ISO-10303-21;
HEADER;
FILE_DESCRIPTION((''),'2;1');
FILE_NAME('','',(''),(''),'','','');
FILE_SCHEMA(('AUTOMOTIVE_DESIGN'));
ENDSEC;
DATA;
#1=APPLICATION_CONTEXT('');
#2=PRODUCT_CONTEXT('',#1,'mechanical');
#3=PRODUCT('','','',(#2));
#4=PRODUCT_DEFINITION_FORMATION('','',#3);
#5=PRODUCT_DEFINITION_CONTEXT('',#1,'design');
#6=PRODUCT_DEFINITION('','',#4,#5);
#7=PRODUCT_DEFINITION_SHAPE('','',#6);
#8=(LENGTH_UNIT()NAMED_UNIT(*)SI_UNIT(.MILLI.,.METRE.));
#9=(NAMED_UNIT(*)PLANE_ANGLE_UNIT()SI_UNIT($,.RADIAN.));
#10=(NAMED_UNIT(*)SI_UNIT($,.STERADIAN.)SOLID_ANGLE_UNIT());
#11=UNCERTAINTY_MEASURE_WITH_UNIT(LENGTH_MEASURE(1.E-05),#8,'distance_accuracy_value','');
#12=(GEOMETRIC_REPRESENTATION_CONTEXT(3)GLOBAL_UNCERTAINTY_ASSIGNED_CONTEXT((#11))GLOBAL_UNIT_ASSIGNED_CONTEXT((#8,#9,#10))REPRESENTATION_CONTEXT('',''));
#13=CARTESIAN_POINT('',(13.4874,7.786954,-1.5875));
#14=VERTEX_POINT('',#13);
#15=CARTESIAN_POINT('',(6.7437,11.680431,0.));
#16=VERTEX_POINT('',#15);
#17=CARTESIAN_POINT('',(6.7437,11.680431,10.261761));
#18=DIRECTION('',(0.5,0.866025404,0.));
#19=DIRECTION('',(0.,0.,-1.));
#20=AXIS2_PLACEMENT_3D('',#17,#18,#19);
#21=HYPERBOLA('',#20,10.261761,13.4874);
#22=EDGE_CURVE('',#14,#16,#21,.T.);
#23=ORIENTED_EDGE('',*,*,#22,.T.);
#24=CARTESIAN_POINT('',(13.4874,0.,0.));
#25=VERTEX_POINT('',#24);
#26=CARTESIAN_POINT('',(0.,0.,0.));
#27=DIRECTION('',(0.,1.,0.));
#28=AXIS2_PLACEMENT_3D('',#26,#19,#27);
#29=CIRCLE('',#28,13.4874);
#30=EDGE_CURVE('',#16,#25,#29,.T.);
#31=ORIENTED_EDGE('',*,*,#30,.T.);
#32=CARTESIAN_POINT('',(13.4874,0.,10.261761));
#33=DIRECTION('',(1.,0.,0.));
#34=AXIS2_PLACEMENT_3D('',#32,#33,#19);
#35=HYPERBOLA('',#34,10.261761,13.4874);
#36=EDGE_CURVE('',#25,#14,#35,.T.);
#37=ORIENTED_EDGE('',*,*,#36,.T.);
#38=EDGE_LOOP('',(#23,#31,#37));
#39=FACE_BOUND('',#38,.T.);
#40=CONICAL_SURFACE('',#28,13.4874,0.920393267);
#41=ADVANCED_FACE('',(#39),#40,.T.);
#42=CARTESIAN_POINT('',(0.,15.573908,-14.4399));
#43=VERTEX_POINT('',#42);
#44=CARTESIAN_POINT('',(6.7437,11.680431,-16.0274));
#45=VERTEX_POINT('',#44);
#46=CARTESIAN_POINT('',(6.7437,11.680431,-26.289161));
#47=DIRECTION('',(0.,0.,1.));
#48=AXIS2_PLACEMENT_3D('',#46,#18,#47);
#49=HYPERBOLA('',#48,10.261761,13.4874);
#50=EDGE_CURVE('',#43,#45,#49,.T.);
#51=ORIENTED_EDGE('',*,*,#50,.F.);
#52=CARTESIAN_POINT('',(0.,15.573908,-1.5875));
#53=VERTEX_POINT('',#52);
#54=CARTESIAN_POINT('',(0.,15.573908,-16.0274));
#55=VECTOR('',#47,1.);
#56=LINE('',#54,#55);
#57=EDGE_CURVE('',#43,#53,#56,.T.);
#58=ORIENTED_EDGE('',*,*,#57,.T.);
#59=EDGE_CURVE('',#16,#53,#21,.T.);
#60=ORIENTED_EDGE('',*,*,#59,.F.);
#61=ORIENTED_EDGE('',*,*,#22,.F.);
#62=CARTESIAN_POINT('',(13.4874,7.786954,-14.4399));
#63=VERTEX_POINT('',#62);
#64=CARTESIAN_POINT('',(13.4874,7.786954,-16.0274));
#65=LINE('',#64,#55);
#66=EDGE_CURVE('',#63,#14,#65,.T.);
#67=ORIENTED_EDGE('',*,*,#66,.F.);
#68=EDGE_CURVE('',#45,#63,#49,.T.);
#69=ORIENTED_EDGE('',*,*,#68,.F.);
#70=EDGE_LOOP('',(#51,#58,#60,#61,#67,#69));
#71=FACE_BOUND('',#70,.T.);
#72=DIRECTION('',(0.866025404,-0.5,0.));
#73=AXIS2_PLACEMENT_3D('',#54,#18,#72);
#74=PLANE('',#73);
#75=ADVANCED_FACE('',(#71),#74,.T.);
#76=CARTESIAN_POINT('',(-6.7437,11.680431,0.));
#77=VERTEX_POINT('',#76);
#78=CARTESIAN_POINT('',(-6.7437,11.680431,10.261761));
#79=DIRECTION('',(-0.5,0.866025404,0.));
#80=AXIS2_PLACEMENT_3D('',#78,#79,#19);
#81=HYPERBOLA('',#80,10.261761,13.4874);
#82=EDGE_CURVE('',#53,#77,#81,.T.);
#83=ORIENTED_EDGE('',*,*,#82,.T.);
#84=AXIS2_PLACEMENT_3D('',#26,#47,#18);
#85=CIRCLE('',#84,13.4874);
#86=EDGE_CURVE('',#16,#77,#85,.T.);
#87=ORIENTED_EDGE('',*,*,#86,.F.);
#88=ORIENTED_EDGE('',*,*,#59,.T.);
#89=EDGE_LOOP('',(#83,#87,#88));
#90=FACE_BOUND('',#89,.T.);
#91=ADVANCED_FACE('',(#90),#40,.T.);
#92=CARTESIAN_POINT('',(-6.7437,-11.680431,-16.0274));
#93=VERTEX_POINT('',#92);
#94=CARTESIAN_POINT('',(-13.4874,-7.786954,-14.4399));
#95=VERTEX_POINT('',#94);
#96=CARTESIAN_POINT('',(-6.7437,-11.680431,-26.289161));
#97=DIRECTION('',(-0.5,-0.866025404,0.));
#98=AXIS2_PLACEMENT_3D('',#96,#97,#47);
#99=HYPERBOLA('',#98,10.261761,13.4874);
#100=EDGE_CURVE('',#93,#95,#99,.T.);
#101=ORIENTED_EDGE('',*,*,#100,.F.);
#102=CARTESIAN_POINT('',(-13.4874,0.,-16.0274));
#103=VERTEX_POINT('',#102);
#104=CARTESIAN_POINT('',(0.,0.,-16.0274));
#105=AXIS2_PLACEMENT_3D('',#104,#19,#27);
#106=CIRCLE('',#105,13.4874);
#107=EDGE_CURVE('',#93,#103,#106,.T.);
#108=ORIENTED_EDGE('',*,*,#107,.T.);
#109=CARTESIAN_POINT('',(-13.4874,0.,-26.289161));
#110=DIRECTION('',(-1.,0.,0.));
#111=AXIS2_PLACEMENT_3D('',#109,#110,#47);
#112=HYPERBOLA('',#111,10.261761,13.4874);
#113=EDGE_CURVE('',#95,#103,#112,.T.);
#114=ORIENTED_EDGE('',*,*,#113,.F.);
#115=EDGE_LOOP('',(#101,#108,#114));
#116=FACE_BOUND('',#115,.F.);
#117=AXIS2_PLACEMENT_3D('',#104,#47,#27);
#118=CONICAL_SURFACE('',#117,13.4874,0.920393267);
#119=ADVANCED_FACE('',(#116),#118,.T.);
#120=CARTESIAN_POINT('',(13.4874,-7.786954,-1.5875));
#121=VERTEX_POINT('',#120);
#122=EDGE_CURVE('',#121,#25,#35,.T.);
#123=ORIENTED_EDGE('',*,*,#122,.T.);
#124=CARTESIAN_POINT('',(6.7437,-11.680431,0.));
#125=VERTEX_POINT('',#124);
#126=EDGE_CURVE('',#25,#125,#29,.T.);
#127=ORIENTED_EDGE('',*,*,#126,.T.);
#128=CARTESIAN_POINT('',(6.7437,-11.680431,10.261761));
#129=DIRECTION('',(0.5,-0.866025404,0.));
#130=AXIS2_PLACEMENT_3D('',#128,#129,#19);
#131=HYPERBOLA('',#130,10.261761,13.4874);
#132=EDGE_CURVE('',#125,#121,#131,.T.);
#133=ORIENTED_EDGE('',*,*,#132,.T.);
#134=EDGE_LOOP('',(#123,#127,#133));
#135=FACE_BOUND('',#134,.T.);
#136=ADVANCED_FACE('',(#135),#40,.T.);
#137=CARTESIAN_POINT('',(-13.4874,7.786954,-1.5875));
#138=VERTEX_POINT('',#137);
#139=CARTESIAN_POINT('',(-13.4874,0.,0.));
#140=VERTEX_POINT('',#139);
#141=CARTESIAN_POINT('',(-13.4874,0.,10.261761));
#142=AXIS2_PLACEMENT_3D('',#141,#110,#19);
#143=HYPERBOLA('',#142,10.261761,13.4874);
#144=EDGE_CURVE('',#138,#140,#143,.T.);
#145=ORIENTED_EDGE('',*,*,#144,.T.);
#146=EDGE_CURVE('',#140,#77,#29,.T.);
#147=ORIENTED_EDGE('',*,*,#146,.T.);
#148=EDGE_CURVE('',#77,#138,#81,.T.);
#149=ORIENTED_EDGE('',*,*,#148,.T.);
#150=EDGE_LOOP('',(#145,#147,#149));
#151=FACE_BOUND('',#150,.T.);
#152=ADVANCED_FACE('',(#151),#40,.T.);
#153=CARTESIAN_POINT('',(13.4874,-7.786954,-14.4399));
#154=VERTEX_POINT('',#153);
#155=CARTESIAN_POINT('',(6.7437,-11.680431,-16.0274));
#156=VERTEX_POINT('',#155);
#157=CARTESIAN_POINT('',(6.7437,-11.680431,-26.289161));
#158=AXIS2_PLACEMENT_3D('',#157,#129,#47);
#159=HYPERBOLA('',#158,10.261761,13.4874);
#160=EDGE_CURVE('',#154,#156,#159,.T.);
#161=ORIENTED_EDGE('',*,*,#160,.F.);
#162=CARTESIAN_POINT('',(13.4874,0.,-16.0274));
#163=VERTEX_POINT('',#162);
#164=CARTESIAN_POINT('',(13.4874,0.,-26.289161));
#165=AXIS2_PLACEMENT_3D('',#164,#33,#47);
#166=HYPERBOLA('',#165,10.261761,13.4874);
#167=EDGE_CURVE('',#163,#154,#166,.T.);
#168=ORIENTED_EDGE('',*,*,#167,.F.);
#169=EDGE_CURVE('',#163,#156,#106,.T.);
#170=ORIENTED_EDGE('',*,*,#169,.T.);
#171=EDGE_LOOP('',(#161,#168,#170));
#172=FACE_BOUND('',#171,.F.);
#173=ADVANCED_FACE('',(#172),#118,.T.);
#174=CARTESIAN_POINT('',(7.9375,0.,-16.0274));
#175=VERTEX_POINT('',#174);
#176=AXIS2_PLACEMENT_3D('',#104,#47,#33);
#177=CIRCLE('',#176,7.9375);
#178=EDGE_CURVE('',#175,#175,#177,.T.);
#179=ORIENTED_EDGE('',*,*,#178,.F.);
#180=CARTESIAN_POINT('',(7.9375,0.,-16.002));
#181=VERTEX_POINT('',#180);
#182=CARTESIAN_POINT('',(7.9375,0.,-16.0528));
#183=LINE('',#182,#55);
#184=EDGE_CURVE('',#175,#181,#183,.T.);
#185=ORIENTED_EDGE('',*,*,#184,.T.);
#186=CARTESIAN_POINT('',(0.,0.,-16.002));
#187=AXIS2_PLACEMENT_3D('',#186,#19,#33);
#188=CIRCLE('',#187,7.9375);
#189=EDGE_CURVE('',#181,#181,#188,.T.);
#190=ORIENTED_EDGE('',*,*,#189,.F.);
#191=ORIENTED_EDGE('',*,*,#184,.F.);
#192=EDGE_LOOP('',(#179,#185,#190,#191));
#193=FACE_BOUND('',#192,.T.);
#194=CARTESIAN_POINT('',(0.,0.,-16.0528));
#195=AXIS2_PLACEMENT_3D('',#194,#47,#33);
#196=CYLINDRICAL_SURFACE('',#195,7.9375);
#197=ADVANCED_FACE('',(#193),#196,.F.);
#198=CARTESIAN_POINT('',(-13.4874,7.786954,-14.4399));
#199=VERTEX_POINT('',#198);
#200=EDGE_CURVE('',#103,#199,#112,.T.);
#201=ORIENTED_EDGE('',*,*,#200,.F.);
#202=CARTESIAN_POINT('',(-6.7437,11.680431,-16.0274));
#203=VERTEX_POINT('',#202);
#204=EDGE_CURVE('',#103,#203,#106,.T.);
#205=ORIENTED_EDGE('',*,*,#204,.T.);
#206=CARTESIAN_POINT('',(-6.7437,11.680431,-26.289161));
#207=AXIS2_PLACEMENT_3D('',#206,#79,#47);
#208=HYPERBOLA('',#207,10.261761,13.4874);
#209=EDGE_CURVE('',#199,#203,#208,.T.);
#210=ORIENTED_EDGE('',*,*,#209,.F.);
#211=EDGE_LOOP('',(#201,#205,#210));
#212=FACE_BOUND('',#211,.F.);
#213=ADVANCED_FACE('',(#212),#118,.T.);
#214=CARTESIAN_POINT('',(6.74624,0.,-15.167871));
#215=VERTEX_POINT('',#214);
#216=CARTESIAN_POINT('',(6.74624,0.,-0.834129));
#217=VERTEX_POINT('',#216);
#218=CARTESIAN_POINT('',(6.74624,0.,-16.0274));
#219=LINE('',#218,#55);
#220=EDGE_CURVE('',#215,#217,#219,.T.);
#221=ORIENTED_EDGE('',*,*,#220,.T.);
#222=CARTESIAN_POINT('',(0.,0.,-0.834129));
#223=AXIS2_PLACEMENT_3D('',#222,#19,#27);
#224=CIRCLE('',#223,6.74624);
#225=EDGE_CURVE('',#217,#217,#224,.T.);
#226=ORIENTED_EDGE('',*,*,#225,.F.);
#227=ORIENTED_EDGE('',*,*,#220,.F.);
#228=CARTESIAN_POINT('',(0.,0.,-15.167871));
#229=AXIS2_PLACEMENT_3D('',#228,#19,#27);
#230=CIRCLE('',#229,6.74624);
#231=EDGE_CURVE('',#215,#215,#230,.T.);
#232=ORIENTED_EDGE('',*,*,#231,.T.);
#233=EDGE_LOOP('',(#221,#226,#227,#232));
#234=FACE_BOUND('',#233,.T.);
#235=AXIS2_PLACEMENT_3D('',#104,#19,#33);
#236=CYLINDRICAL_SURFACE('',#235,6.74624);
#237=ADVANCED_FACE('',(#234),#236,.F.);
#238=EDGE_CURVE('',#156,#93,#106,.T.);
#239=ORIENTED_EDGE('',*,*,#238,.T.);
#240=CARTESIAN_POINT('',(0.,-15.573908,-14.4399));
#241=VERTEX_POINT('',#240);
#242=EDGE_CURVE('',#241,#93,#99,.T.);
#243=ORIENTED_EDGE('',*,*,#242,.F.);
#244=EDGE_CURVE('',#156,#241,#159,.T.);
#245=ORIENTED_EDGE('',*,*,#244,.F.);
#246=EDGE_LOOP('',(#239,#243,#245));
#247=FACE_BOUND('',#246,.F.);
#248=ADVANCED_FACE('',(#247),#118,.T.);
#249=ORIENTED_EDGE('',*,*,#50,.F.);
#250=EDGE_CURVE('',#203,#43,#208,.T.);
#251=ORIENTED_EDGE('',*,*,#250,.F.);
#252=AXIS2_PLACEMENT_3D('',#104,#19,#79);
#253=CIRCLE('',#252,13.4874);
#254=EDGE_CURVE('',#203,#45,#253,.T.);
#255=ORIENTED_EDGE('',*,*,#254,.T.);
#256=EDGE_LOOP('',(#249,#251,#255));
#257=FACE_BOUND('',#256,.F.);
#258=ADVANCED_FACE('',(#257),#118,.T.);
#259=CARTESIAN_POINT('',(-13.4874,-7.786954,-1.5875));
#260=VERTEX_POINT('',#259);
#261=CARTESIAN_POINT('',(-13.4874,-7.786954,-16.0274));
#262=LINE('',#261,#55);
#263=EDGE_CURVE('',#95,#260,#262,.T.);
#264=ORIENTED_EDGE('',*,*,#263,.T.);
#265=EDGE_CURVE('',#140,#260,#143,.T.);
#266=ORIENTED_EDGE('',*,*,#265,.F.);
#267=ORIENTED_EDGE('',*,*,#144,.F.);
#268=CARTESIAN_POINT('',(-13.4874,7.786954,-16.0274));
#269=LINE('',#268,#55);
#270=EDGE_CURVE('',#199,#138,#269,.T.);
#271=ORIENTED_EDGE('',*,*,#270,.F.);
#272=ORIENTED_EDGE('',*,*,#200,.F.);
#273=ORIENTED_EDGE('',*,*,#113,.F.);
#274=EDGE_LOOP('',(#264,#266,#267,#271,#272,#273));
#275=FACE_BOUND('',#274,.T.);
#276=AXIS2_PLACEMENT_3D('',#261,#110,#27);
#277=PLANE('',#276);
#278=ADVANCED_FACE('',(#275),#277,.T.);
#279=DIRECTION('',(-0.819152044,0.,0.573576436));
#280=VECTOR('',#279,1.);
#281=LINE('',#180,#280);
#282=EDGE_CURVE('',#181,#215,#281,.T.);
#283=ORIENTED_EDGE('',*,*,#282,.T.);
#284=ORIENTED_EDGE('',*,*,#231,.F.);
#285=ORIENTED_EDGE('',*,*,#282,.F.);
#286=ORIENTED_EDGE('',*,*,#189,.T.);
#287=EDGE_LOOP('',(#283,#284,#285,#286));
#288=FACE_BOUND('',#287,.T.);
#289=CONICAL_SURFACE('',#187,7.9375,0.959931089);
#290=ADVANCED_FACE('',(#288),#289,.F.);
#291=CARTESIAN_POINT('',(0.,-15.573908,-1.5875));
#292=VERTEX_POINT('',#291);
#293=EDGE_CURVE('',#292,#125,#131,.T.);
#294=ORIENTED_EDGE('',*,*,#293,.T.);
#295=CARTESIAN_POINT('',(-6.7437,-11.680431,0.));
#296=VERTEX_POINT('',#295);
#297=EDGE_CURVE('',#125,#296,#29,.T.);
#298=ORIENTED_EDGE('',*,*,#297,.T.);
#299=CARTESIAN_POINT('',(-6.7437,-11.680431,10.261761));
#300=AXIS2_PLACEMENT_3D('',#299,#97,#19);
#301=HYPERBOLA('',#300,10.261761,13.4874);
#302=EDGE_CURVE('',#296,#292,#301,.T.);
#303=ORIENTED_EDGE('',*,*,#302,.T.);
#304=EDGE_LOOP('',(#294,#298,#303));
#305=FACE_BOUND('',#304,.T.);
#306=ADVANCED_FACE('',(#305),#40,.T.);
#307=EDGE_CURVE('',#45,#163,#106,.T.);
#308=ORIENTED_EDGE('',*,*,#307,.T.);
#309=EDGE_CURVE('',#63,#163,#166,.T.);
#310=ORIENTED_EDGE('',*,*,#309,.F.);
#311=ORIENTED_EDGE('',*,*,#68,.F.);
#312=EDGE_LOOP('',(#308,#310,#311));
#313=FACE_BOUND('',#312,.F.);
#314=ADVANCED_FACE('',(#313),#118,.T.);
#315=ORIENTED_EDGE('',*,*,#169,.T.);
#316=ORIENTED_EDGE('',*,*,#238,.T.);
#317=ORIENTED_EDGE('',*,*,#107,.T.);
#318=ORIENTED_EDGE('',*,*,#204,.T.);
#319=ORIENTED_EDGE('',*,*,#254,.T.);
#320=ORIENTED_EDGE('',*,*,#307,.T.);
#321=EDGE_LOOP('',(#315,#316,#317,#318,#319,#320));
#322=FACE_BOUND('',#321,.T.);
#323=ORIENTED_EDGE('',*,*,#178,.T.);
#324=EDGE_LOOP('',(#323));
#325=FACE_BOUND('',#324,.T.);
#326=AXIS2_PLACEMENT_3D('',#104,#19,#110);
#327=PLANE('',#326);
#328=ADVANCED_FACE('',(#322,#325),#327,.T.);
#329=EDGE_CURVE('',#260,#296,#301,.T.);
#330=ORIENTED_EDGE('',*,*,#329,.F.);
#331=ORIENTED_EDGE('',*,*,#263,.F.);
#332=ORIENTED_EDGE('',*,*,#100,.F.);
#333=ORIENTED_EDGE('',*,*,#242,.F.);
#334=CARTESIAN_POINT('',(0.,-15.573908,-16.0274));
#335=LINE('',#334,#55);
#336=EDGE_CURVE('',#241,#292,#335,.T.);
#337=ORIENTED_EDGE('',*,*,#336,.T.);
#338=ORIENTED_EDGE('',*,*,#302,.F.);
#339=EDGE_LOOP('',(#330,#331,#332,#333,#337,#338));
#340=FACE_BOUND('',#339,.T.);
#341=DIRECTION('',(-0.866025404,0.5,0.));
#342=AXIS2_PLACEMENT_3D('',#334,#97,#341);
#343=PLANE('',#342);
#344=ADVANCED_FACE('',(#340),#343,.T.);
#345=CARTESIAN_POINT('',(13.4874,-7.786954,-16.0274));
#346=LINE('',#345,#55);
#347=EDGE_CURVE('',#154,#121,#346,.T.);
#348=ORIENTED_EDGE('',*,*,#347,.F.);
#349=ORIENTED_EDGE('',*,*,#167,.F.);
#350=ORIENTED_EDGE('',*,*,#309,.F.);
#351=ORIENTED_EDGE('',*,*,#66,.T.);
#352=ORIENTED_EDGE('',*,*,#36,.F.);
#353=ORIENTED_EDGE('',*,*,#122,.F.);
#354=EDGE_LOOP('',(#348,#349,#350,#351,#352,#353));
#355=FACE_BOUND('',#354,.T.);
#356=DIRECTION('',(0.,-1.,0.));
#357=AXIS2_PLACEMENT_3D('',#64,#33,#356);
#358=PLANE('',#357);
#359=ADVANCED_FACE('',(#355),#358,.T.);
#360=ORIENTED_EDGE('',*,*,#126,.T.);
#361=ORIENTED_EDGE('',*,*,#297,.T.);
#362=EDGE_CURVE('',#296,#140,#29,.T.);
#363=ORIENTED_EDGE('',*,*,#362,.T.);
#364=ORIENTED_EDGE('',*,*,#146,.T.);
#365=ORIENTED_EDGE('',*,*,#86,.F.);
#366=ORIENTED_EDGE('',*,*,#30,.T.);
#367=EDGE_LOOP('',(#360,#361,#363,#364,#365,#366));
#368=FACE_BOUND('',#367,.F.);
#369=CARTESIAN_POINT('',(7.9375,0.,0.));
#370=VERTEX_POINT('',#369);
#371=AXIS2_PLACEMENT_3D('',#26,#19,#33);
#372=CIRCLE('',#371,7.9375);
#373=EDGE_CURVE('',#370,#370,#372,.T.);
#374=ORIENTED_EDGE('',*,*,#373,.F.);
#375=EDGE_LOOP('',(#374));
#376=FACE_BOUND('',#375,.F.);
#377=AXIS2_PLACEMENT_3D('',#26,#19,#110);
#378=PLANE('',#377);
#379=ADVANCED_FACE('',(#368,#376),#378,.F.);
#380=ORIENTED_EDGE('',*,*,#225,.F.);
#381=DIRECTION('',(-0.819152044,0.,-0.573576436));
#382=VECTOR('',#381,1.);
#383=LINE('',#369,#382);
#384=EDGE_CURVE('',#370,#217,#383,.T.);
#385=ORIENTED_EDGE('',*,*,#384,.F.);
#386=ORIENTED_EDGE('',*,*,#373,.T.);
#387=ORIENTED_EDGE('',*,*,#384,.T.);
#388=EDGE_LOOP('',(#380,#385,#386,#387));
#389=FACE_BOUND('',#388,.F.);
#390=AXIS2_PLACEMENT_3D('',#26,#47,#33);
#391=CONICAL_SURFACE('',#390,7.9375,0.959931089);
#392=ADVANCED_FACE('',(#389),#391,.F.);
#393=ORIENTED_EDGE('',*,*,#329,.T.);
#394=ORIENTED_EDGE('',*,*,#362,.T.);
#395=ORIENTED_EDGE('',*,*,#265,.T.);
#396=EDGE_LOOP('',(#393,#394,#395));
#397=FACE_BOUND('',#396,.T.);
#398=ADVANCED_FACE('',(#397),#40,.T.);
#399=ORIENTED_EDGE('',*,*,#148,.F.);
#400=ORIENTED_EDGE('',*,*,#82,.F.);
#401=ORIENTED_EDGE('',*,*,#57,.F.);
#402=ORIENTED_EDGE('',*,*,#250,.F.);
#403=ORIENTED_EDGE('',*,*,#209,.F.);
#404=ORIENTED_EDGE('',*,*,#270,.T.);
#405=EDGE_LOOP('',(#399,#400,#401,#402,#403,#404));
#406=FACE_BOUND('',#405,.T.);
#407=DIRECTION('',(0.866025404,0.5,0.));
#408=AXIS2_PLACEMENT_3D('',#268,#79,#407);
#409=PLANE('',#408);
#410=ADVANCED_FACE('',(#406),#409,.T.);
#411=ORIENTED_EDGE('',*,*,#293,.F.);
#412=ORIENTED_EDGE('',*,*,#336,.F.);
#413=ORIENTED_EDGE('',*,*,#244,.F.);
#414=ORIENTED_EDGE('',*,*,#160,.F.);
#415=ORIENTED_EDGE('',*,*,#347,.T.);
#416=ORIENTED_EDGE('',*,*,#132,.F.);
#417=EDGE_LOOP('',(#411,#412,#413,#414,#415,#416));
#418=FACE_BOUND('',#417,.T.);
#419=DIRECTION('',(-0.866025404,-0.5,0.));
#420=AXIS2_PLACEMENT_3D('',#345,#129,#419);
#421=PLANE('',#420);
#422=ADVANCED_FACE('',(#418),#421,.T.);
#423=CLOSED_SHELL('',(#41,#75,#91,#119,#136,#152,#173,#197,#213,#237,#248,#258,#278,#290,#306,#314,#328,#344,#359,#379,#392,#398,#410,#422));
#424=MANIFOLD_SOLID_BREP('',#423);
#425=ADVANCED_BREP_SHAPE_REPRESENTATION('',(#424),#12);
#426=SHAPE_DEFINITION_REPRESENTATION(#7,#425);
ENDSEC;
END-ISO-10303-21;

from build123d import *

# Parameters (mm, degrees)
BASENUT_START = -16.0274
BASENUTSKE_R  = 6.74624
BASENUT_DEPTH = 16.0274


with BuildPart() as part:
    # BaseNutSke → BaseNut (new body)
    with BuildSketch(Plane.XY.offset(BASENUT_START)):
        Polygon((13.4874, 7.786954021), (13.4874, -7.786954021), (0, -15.573908041), (-13.4874, -7.786954021), (-13.4874, 7.786954021), (0, 15.573908041), align=None)
        Circle(BASENUTSKE_R, mode=Mode.SUBTRACT)
    extrude(amount=BASENUT_DEPTH)

    # Sketch3 → Double-Chamfer (revolve, cut)
    with BuildSketch(Plane(origin=(0, 0, 0), x_dir=(0, 0, -1), z_dir=(1, 0, 0))):
        Polygon((16.0274, 13.4874), (14.4399, 15.573908041), (14.4399, 28.273908041), (28.7274, 28.273908041), (28.7274, 13.4874), align=None)
        Polygon((1.5875, 28.273908041), (-12.7, 28.273908041), (-12.7, 13.4874), (0, 13.4874), (1.5875, 15.573908041), align=None)
    revolve(axis=Axis((0, 0, 0), (0, 0, -1)), mode=Mode.SUBTRACT)

    # Sketch5 → EndChamfer (revolve, cut)
    with BuildSketch(Plane(origin=(0, 0, 0), x_dir=(0, 0, -1), z_dir=(1, 0, 0)), mode=Mode.PRIVATE) as endchamfer_sk:
        Polygon((16.002, 7.9375), (15.084457845, 6.627114), (16.0528, 6.627114), (16.0528, 7.9375), align=None)
        Polygon((-0.0508, 7.9375), (0, 7.9375), (0.917542155, 6.627114), (-0.0508, 6.627114), align=None)
    revolve(endchamfer_sk.sketch.rotate(Axis((0, 0, -25.037505729), (0, 0, -1)), 90), axis=Axis((0, 0, -25.037505729), (0, 0, -1)), mode=Mode.SUBTRACT)


solid = part.part
